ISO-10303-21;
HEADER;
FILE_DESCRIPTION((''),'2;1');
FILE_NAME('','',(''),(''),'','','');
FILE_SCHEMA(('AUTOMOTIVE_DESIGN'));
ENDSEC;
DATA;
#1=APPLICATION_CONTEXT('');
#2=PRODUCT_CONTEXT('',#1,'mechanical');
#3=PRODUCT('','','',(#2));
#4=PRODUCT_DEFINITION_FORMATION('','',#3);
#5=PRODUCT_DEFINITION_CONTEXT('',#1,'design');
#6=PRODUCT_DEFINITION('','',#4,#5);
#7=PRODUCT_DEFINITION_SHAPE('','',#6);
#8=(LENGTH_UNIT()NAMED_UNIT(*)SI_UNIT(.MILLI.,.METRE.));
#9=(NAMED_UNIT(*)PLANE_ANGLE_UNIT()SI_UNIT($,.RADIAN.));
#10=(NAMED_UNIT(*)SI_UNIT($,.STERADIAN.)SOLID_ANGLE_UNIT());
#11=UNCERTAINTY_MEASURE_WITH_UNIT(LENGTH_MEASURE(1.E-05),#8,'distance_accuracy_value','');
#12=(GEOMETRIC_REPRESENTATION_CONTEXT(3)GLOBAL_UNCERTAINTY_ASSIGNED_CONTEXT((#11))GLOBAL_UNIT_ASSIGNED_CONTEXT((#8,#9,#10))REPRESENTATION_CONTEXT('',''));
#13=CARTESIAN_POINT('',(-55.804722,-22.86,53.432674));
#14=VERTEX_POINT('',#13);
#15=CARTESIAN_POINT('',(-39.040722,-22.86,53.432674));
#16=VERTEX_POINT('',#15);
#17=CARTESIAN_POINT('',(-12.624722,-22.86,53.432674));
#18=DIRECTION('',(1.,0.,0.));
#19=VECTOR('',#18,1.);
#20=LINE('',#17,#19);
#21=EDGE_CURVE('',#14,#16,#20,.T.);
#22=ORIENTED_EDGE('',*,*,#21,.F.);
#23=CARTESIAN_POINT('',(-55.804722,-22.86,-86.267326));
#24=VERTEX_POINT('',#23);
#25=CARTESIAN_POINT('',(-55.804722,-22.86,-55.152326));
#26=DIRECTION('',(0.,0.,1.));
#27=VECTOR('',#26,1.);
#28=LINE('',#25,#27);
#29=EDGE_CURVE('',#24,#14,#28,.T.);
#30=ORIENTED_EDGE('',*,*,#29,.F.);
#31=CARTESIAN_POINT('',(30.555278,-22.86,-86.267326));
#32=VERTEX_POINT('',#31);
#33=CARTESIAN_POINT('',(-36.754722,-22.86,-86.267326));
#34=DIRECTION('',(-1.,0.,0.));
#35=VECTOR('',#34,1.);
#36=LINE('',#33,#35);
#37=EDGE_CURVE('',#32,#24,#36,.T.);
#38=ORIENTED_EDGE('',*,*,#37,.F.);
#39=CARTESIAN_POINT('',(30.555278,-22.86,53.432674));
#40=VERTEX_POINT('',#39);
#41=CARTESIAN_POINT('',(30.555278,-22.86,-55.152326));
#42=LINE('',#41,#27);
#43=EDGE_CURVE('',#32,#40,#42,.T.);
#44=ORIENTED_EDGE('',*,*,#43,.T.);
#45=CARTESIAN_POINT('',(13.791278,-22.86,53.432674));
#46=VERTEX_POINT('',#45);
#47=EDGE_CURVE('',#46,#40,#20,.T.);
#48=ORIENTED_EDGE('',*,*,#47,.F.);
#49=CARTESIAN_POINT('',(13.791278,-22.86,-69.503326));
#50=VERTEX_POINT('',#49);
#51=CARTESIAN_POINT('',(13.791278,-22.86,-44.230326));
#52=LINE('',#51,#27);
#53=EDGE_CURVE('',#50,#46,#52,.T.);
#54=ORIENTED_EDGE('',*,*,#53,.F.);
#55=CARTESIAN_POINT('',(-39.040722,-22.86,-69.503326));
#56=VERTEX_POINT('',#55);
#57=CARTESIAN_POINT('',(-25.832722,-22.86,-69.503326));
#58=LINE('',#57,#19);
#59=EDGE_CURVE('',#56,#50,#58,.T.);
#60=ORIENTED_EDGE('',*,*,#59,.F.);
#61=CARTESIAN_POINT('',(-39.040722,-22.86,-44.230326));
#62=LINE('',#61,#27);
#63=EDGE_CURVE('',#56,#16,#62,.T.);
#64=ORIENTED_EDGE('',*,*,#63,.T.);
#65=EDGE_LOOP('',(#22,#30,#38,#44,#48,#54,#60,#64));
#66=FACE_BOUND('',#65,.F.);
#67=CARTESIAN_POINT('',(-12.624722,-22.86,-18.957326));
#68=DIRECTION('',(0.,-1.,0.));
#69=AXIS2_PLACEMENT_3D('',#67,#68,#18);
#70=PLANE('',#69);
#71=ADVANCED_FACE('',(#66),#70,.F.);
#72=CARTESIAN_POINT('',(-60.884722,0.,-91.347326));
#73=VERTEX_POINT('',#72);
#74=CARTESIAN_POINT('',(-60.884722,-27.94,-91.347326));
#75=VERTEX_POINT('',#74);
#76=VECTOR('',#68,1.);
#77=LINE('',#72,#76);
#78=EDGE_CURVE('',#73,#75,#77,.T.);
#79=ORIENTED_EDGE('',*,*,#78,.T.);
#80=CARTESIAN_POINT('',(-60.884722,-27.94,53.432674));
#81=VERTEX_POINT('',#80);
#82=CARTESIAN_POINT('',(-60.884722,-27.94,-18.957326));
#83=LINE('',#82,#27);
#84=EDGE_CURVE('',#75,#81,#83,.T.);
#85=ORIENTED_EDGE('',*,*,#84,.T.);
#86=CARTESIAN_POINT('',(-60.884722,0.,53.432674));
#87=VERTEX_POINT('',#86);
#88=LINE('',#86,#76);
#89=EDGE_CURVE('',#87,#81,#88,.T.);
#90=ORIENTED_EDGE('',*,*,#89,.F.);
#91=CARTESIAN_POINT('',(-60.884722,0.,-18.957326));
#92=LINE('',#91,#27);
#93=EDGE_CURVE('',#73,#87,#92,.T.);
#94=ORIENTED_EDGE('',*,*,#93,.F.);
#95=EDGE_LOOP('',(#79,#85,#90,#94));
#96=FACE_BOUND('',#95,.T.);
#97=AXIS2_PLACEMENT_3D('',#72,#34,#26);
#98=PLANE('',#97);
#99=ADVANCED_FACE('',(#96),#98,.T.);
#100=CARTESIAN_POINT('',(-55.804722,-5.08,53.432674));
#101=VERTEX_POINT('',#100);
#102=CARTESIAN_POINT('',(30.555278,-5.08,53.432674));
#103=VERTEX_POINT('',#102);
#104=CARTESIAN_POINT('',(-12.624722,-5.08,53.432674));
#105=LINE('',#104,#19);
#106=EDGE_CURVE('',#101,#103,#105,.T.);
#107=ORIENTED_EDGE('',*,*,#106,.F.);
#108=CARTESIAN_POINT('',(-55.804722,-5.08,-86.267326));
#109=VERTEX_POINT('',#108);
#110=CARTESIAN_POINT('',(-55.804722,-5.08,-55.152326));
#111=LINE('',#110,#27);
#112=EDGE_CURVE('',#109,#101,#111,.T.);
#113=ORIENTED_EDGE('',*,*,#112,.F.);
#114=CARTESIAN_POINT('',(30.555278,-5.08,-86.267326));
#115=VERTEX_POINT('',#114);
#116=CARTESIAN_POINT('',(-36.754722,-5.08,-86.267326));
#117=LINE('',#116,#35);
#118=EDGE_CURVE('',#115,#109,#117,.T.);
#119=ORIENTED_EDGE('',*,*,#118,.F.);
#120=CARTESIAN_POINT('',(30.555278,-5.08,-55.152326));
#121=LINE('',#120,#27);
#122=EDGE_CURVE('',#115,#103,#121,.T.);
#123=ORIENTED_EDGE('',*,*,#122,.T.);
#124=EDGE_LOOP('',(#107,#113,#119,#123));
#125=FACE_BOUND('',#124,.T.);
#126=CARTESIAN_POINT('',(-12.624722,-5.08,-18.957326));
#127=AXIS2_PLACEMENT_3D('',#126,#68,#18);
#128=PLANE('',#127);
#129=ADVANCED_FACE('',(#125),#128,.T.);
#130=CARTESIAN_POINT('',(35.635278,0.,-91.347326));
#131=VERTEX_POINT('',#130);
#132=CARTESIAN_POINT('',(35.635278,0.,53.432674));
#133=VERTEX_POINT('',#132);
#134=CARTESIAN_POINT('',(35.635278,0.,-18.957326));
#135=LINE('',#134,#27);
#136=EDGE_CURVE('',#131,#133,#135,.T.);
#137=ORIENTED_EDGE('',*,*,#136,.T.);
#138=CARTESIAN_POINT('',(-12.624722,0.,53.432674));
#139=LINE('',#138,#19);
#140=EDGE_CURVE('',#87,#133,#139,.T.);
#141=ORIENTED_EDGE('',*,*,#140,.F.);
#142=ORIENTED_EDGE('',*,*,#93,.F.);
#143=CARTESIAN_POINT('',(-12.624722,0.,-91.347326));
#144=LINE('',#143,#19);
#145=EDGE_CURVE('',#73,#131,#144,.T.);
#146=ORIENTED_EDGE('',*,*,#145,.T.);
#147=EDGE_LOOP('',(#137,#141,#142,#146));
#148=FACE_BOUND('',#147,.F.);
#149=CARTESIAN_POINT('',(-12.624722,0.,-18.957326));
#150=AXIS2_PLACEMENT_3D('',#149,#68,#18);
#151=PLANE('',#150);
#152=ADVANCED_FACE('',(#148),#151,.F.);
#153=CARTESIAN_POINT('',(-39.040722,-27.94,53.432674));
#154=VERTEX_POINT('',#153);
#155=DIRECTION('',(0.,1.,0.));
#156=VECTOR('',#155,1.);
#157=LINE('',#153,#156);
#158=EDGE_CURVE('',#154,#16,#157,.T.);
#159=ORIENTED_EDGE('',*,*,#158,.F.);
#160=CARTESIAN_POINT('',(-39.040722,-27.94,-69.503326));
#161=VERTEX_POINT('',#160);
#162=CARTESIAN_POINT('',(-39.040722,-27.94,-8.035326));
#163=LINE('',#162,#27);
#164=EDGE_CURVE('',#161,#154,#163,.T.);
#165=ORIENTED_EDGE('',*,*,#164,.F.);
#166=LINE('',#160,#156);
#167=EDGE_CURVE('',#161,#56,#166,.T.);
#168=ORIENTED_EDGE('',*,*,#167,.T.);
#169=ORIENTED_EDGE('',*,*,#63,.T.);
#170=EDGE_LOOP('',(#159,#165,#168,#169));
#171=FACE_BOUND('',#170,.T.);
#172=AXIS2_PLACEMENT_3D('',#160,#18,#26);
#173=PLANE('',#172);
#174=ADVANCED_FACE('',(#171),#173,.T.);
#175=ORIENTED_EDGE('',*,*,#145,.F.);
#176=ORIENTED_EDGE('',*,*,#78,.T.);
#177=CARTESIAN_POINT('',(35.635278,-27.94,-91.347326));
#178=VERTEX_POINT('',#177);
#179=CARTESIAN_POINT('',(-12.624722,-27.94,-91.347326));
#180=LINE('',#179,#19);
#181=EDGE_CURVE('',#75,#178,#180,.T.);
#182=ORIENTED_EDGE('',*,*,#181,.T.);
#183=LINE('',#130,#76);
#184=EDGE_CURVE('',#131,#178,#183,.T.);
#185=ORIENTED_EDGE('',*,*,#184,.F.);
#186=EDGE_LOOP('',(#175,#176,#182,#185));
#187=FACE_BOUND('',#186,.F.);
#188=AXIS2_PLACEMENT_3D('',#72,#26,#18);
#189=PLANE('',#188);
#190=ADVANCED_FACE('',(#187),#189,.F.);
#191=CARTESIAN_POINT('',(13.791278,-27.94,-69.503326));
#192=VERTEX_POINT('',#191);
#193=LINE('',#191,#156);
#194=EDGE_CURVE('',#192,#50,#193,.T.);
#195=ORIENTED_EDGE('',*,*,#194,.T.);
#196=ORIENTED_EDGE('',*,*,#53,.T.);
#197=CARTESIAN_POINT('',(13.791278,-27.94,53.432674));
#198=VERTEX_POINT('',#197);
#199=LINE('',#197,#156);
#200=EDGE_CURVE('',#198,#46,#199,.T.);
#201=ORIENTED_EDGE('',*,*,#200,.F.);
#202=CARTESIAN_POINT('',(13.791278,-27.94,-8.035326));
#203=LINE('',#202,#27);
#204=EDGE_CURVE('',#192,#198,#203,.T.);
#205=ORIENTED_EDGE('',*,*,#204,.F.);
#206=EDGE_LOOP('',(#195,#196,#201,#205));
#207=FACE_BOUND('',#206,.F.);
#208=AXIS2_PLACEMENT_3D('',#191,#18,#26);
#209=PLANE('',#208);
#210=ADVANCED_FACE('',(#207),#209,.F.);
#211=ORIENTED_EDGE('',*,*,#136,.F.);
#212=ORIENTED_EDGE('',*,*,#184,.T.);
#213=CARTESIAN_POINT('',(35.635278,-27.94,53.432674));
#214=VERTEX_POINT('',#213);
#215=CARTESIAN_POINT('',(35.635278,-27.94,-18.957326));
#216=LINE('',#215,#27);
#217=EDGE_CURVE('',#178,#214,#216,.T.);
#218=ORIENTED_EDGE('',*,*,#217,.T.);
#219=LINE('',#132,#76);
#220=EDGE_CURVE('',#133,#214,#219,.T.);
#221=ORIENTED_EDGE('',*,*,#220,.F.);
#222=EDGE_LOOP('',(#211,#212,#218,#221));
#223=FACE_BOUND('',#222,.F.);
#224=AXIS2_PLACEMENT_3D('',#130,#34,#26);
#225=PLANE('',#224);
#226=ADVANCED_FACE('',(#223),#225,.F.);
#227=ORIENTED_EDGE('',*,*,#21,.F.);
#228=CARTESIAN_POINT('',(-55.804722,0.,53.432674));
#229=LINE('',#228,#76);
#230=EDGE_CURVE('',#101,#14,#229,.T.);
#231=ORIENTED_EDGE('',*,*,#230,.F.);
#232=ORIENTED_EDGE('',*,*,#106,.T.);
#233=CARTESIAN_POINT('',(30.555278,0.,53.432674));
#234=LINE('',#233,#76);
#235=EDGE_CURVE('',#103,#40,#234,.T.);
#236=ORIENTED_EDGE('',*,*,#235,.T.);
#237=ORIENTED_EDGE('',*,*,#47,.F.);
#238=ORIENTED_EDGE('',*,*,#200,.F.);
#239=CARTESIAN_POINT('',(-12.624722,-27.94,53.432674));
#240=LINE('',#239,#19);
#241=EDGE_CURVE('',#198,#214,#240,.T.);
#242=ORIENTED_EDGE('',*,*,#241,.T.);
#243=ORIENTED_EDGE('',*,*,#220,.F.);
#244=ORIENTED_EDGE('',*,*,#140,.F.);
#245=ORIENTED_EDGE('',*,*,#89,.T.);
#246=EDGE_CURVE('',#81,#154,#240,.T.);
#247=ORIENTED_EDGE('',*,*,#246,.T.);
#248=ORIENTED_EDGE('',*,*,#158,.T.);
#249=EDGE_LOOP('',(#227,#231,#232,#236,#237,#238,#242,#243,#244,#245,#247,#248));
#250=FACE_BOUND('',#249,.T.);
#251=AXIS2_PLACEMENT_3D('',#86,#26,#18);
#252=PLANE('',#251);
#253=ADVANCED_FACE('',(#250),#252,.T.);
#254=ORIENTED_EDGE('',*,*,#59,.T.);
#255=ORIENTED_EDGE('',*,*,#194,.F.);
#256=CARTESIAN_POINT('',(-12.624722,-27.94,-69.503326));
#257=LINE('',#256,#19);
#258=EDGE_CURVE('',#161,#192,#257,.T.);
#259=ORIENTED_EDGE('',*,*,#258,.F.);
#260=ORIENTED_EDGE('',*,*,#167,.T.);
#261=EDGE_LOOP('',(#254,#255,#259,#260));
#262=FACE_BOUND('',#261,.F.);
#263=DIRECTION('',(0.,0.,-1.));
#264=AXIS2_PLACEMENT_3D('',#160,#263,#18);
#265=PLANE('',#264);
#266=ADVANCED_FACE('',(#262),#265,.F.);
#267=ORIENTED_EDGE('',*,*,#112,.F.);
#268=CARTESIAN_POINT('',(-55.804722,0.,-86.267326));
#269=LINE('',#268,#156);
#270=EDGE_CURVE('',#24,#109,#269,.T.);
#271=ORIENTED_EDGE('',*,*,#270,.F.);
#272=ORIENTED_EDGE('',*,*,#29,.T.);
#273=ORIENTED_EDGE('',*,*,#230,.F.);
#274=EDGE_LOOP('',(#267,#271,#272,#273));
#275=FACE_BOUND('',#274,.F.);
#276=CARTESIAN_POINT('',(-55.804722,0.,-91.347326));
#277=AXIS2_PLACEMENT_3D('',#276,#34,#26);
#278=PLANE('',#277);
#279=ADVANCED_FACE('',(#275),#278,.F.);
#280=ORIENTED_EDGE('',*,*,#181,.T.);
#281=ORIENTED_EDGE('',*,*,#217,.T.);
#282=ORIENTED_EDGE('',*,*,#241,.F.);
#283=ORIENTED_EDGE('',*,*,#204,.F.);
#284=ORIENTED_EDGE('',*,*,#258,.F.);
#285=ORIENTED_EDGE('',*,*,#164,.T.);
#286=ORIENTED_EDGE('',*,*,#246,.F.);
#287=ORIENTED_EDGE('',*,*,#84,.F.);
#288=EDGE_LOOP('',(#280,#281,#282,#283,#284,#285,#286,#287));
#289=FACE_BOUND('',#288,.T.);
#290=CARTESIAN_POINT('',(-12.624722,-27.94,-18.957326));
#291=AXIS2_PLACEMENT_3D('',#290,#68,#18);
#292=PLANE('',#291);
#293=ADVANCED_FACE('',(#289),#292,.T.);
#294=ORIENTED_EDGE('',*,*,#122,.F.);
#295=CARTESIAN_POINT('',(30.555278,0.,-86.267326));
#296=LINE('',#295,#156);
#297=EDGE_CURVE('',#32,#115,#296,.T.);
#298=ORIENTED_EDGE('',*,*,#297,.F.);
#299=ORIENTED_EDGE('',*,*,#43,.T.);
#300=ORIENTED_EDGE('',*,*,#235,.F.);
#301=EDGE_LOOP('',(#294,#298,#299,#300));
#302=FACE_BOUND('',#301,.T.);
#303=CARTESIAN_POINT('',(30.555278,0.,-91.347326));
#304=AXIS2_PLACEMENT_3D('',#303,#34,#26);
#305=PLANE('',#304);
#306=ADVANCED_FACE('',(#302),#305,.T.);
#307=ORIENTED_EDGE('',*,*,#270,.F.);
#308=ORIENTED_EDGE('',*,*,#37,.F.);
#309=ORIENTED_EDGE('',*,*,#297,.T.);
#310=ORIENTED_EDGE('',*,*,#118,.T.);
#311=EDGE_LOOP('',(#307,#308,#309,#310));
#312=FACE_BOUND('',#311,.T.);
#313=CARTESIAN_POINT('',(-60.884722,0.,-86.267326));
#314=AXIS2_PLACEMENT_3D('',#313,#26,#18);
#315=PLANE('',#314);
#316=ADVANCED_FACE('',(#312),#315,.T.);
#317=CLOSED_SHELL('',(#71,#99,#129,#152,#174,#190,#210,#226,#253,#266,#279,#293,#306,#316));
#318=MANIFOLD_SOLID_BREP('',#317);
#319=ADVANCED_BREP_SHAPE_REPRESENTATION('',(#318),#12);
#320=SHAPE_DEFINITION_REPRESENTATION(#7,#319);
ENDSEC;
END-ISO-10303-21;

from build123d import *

# Parameters (mm, degrees)
F0_W     = 96.52
F0_H     = 144.78
F1_DEPTH = 27.94
F2_T     = -5.08
F3_W     = 52.832
F3_H     = 122.936
F4_DEPTH = 7.62


with BuildPart() as f1:
    # F0 (on Front) → F1 (new body)
    with BuildSketch(Plane.XZ):
        with Locations((-12.624722, -18.957326)):
            Rectangle(F0_W, F0_H)
    extrude(amount=F1_DEPTH)

    # F2
    f2_openings = [f1.faces().sort_by_distance(p)[0] for p in [
        (-12.624722, -13.97, 53.432674),
    ]]
    offset(amount=F2_T, openings=f2_openings)

    # F3 (on face) → F4 (cut)
    with BuildSketch(Plane.XZ.offset(27.94)):
        with Locations((-12.624722, -8.035326)):
            Rectangle(F3_W, F3_H)
    extrude(amount=-F4_DEPTH, mode=Mode.SUBTRACT)


solid = f1.part
